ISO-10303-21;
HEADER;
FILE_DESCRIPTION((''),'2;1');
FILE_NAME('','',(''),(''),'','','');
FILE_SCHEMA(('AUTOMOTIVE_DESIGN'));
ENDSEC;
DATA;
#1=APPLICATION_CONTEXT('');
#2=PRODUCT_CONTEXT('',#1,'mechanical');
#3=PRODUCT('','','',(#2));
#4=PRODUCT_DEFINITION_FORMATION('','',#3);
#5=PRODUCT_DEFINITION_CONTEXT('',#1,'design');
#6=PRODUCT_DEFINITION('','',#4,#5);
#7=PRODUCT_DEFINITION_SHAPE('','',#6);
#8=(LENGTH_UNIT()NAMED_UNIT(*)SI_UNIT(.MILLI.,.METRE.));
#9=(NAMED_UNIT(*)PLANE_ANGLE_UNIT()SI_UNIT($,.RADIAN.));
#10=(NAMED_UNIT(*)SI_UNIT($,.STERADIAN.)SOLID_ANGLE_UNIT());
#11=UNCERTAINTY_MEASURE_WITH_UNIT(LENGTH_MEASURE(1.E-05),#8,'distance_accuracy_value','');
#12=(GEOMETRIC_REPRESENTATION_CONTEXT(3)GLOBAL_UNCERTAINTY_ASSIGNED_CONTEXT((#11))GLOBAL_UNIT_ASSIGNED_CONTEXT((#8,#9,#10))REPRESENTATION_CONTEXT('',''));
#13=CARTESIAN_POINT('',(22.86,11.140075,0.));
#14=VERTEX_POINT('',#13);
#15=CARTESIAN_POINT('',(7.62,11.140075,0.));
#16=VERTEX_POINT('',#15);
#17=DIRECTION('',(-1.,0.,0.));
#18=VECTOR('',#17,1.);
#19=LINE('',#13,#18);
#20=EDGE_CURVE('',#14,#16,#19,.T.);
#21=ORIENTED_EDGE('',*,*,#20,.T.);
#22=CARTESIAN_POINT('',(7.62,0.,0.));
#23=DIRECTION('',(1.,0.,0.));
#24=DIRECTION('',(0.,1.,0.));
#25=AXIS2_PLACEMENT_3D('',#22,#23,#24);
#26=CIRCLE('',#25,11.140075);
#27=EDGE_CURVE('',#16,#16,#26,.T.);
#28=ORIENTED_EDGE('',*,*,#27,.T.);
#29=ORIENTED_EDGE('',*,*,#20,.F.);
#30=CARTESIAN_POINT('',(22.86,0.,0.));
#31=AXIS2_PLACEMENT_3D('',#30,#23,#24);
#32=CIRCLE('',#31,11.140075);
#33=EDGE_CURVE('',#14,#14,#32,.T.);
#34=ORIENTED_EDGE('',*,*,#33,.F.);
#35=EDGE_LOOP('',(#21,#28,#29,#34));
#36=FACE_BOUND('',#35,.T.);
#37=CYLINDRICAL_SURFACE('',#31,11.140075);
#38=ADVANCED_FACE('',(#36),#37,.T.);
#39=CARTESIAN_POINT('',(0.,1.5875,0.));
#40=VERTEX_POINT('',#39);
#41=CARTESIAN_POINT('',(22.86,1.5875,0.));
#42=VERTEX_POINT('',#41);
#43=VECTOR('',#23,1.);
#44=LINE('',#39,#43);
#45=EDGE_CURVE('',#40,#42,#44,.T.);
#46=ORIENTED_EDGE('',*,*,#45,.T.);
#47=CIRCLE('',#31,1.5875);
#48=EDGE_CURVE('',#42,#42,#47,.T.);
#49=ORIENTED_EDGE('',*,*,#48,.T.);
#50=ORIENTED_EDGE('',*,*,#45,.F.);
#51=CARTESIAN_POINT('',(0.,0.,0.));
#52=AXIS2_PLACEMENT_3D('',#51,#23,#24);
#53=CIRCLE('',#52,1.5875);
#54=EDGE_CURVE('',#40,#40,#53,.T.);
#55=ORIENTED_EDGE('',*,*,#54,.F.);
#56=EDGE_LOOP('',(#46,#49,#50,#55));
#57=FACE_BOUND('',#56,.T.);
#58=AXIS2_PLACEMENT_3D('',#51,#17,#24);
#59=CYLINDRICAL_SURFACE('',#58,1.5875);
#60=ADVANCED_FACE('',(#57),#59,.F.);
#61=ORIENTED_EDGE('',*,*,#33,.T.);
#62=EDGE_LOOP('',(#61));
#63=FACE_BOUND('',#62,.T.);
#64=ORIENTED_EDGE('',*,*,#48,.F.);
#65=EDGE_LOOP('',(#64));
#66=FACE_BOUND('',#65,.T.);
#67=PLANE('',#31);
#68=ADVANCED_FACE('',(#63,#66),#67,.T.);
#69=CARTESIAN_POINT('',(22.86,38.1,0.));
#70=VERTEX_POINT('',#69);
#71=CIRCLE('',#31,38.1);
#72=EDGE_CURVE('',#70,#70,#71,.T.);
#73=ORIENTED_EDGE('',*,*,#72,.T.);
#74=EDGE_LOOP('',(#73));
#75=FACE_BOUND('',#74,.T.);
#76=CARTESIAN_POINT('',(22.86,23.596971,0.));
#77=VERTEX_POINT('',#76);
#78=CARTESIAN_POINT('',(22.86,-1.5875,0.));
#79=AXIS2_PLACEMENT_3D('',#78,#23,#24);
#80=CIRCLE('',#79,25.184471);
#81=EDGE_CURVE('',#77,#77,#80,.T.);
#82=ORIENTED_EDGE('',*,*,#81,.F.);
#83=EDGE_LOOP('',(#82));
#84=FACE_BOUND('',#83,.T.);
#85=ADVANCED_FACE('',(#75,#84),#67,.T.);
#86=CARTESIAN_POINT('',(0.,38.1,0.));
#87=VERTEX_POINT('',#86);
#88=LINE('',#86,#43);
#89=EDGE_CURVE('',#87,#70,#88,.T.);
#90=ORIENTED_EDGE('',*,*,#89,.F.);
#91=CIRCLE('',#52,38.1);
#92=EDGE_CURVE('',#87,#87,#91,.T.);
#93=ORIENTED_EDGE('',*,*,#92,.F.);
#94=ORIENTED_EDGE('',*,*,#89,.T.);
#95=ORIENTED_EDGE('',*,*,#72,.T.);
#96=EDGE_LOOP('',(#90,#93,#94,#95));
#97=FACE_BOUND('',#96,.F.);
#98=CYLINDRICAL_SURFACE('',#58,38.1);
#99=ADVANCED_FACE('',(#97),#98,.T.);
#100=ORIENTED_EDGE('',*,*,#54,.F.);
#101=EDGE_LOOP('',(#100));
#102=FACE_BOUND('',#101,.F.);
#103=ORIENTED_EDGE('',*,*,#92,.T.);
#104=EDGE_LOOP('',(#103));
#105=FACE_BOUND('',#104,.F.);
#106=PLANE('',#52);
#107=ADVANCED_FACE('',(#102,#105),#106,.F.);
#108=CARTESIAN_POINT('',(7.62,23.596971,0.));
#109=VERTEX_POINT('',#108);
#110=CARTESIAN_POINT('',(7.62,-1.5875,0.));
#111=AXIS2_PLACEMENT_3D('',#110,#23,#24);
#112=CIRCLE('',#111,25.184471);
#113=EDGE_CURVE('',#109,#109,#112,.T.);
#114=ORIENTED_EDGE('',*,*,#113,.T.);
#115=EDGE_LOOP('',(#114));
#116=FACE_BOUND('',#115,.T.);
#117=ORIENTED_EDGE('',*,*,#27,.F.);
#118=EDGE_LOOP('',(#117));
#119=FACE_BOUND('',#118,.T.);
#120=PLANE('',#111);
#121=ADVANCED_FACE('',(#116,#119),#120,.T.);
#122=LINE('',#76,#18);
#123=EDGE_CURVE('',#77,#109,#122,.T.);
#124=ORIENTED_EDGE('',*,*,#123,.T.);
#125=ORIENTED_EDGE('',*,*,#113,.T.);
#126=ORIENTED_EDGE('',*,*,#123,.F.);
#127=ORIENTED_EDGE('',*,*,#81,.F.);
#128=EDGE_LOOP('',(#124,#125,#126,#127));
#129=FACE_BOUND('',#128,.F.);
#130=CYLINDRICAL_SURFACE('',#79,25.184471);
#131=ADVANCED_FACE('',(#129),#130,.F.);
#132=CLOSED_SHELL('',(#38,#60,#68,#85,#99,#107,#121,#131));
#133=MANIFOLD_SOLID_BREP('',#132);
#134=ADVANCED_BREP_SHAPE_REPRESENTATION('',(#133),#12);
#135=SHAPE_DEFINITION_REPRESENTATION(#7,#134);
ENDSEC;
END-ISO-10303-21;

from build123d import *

# Parameters (mm, degrees)
F0_R     = 38.1
F0_R_2   = 1.5875
F1_DEPTH = 22.86
F2_R     = 25.184471
F2_R_2   = 11.140075
F3_DEPTH = 15.24


with BuildPart() as f1:
    # F0 (on Right) → F1 (new body)
    with BuildSketch(Plane.YZ):
        Circle(F0_R)
        Circle(F0_R_2, mode=Mode.SUBTRACT)
    extrude(amount=F1_DEPTH)

    # F2 (on face) → F3 (cut)
    with BuildSketch(Plane.YZ.offset(22.86)):
        with Locations((-1.5875, 0)):
            Circle(F2_R)
        Circle(F2_R_2, mode=Mode.SUBTRACT)
    extrude(amount=-F3_DEPTH, mode=Mode.SUBTRACT)


solid = f1.part
